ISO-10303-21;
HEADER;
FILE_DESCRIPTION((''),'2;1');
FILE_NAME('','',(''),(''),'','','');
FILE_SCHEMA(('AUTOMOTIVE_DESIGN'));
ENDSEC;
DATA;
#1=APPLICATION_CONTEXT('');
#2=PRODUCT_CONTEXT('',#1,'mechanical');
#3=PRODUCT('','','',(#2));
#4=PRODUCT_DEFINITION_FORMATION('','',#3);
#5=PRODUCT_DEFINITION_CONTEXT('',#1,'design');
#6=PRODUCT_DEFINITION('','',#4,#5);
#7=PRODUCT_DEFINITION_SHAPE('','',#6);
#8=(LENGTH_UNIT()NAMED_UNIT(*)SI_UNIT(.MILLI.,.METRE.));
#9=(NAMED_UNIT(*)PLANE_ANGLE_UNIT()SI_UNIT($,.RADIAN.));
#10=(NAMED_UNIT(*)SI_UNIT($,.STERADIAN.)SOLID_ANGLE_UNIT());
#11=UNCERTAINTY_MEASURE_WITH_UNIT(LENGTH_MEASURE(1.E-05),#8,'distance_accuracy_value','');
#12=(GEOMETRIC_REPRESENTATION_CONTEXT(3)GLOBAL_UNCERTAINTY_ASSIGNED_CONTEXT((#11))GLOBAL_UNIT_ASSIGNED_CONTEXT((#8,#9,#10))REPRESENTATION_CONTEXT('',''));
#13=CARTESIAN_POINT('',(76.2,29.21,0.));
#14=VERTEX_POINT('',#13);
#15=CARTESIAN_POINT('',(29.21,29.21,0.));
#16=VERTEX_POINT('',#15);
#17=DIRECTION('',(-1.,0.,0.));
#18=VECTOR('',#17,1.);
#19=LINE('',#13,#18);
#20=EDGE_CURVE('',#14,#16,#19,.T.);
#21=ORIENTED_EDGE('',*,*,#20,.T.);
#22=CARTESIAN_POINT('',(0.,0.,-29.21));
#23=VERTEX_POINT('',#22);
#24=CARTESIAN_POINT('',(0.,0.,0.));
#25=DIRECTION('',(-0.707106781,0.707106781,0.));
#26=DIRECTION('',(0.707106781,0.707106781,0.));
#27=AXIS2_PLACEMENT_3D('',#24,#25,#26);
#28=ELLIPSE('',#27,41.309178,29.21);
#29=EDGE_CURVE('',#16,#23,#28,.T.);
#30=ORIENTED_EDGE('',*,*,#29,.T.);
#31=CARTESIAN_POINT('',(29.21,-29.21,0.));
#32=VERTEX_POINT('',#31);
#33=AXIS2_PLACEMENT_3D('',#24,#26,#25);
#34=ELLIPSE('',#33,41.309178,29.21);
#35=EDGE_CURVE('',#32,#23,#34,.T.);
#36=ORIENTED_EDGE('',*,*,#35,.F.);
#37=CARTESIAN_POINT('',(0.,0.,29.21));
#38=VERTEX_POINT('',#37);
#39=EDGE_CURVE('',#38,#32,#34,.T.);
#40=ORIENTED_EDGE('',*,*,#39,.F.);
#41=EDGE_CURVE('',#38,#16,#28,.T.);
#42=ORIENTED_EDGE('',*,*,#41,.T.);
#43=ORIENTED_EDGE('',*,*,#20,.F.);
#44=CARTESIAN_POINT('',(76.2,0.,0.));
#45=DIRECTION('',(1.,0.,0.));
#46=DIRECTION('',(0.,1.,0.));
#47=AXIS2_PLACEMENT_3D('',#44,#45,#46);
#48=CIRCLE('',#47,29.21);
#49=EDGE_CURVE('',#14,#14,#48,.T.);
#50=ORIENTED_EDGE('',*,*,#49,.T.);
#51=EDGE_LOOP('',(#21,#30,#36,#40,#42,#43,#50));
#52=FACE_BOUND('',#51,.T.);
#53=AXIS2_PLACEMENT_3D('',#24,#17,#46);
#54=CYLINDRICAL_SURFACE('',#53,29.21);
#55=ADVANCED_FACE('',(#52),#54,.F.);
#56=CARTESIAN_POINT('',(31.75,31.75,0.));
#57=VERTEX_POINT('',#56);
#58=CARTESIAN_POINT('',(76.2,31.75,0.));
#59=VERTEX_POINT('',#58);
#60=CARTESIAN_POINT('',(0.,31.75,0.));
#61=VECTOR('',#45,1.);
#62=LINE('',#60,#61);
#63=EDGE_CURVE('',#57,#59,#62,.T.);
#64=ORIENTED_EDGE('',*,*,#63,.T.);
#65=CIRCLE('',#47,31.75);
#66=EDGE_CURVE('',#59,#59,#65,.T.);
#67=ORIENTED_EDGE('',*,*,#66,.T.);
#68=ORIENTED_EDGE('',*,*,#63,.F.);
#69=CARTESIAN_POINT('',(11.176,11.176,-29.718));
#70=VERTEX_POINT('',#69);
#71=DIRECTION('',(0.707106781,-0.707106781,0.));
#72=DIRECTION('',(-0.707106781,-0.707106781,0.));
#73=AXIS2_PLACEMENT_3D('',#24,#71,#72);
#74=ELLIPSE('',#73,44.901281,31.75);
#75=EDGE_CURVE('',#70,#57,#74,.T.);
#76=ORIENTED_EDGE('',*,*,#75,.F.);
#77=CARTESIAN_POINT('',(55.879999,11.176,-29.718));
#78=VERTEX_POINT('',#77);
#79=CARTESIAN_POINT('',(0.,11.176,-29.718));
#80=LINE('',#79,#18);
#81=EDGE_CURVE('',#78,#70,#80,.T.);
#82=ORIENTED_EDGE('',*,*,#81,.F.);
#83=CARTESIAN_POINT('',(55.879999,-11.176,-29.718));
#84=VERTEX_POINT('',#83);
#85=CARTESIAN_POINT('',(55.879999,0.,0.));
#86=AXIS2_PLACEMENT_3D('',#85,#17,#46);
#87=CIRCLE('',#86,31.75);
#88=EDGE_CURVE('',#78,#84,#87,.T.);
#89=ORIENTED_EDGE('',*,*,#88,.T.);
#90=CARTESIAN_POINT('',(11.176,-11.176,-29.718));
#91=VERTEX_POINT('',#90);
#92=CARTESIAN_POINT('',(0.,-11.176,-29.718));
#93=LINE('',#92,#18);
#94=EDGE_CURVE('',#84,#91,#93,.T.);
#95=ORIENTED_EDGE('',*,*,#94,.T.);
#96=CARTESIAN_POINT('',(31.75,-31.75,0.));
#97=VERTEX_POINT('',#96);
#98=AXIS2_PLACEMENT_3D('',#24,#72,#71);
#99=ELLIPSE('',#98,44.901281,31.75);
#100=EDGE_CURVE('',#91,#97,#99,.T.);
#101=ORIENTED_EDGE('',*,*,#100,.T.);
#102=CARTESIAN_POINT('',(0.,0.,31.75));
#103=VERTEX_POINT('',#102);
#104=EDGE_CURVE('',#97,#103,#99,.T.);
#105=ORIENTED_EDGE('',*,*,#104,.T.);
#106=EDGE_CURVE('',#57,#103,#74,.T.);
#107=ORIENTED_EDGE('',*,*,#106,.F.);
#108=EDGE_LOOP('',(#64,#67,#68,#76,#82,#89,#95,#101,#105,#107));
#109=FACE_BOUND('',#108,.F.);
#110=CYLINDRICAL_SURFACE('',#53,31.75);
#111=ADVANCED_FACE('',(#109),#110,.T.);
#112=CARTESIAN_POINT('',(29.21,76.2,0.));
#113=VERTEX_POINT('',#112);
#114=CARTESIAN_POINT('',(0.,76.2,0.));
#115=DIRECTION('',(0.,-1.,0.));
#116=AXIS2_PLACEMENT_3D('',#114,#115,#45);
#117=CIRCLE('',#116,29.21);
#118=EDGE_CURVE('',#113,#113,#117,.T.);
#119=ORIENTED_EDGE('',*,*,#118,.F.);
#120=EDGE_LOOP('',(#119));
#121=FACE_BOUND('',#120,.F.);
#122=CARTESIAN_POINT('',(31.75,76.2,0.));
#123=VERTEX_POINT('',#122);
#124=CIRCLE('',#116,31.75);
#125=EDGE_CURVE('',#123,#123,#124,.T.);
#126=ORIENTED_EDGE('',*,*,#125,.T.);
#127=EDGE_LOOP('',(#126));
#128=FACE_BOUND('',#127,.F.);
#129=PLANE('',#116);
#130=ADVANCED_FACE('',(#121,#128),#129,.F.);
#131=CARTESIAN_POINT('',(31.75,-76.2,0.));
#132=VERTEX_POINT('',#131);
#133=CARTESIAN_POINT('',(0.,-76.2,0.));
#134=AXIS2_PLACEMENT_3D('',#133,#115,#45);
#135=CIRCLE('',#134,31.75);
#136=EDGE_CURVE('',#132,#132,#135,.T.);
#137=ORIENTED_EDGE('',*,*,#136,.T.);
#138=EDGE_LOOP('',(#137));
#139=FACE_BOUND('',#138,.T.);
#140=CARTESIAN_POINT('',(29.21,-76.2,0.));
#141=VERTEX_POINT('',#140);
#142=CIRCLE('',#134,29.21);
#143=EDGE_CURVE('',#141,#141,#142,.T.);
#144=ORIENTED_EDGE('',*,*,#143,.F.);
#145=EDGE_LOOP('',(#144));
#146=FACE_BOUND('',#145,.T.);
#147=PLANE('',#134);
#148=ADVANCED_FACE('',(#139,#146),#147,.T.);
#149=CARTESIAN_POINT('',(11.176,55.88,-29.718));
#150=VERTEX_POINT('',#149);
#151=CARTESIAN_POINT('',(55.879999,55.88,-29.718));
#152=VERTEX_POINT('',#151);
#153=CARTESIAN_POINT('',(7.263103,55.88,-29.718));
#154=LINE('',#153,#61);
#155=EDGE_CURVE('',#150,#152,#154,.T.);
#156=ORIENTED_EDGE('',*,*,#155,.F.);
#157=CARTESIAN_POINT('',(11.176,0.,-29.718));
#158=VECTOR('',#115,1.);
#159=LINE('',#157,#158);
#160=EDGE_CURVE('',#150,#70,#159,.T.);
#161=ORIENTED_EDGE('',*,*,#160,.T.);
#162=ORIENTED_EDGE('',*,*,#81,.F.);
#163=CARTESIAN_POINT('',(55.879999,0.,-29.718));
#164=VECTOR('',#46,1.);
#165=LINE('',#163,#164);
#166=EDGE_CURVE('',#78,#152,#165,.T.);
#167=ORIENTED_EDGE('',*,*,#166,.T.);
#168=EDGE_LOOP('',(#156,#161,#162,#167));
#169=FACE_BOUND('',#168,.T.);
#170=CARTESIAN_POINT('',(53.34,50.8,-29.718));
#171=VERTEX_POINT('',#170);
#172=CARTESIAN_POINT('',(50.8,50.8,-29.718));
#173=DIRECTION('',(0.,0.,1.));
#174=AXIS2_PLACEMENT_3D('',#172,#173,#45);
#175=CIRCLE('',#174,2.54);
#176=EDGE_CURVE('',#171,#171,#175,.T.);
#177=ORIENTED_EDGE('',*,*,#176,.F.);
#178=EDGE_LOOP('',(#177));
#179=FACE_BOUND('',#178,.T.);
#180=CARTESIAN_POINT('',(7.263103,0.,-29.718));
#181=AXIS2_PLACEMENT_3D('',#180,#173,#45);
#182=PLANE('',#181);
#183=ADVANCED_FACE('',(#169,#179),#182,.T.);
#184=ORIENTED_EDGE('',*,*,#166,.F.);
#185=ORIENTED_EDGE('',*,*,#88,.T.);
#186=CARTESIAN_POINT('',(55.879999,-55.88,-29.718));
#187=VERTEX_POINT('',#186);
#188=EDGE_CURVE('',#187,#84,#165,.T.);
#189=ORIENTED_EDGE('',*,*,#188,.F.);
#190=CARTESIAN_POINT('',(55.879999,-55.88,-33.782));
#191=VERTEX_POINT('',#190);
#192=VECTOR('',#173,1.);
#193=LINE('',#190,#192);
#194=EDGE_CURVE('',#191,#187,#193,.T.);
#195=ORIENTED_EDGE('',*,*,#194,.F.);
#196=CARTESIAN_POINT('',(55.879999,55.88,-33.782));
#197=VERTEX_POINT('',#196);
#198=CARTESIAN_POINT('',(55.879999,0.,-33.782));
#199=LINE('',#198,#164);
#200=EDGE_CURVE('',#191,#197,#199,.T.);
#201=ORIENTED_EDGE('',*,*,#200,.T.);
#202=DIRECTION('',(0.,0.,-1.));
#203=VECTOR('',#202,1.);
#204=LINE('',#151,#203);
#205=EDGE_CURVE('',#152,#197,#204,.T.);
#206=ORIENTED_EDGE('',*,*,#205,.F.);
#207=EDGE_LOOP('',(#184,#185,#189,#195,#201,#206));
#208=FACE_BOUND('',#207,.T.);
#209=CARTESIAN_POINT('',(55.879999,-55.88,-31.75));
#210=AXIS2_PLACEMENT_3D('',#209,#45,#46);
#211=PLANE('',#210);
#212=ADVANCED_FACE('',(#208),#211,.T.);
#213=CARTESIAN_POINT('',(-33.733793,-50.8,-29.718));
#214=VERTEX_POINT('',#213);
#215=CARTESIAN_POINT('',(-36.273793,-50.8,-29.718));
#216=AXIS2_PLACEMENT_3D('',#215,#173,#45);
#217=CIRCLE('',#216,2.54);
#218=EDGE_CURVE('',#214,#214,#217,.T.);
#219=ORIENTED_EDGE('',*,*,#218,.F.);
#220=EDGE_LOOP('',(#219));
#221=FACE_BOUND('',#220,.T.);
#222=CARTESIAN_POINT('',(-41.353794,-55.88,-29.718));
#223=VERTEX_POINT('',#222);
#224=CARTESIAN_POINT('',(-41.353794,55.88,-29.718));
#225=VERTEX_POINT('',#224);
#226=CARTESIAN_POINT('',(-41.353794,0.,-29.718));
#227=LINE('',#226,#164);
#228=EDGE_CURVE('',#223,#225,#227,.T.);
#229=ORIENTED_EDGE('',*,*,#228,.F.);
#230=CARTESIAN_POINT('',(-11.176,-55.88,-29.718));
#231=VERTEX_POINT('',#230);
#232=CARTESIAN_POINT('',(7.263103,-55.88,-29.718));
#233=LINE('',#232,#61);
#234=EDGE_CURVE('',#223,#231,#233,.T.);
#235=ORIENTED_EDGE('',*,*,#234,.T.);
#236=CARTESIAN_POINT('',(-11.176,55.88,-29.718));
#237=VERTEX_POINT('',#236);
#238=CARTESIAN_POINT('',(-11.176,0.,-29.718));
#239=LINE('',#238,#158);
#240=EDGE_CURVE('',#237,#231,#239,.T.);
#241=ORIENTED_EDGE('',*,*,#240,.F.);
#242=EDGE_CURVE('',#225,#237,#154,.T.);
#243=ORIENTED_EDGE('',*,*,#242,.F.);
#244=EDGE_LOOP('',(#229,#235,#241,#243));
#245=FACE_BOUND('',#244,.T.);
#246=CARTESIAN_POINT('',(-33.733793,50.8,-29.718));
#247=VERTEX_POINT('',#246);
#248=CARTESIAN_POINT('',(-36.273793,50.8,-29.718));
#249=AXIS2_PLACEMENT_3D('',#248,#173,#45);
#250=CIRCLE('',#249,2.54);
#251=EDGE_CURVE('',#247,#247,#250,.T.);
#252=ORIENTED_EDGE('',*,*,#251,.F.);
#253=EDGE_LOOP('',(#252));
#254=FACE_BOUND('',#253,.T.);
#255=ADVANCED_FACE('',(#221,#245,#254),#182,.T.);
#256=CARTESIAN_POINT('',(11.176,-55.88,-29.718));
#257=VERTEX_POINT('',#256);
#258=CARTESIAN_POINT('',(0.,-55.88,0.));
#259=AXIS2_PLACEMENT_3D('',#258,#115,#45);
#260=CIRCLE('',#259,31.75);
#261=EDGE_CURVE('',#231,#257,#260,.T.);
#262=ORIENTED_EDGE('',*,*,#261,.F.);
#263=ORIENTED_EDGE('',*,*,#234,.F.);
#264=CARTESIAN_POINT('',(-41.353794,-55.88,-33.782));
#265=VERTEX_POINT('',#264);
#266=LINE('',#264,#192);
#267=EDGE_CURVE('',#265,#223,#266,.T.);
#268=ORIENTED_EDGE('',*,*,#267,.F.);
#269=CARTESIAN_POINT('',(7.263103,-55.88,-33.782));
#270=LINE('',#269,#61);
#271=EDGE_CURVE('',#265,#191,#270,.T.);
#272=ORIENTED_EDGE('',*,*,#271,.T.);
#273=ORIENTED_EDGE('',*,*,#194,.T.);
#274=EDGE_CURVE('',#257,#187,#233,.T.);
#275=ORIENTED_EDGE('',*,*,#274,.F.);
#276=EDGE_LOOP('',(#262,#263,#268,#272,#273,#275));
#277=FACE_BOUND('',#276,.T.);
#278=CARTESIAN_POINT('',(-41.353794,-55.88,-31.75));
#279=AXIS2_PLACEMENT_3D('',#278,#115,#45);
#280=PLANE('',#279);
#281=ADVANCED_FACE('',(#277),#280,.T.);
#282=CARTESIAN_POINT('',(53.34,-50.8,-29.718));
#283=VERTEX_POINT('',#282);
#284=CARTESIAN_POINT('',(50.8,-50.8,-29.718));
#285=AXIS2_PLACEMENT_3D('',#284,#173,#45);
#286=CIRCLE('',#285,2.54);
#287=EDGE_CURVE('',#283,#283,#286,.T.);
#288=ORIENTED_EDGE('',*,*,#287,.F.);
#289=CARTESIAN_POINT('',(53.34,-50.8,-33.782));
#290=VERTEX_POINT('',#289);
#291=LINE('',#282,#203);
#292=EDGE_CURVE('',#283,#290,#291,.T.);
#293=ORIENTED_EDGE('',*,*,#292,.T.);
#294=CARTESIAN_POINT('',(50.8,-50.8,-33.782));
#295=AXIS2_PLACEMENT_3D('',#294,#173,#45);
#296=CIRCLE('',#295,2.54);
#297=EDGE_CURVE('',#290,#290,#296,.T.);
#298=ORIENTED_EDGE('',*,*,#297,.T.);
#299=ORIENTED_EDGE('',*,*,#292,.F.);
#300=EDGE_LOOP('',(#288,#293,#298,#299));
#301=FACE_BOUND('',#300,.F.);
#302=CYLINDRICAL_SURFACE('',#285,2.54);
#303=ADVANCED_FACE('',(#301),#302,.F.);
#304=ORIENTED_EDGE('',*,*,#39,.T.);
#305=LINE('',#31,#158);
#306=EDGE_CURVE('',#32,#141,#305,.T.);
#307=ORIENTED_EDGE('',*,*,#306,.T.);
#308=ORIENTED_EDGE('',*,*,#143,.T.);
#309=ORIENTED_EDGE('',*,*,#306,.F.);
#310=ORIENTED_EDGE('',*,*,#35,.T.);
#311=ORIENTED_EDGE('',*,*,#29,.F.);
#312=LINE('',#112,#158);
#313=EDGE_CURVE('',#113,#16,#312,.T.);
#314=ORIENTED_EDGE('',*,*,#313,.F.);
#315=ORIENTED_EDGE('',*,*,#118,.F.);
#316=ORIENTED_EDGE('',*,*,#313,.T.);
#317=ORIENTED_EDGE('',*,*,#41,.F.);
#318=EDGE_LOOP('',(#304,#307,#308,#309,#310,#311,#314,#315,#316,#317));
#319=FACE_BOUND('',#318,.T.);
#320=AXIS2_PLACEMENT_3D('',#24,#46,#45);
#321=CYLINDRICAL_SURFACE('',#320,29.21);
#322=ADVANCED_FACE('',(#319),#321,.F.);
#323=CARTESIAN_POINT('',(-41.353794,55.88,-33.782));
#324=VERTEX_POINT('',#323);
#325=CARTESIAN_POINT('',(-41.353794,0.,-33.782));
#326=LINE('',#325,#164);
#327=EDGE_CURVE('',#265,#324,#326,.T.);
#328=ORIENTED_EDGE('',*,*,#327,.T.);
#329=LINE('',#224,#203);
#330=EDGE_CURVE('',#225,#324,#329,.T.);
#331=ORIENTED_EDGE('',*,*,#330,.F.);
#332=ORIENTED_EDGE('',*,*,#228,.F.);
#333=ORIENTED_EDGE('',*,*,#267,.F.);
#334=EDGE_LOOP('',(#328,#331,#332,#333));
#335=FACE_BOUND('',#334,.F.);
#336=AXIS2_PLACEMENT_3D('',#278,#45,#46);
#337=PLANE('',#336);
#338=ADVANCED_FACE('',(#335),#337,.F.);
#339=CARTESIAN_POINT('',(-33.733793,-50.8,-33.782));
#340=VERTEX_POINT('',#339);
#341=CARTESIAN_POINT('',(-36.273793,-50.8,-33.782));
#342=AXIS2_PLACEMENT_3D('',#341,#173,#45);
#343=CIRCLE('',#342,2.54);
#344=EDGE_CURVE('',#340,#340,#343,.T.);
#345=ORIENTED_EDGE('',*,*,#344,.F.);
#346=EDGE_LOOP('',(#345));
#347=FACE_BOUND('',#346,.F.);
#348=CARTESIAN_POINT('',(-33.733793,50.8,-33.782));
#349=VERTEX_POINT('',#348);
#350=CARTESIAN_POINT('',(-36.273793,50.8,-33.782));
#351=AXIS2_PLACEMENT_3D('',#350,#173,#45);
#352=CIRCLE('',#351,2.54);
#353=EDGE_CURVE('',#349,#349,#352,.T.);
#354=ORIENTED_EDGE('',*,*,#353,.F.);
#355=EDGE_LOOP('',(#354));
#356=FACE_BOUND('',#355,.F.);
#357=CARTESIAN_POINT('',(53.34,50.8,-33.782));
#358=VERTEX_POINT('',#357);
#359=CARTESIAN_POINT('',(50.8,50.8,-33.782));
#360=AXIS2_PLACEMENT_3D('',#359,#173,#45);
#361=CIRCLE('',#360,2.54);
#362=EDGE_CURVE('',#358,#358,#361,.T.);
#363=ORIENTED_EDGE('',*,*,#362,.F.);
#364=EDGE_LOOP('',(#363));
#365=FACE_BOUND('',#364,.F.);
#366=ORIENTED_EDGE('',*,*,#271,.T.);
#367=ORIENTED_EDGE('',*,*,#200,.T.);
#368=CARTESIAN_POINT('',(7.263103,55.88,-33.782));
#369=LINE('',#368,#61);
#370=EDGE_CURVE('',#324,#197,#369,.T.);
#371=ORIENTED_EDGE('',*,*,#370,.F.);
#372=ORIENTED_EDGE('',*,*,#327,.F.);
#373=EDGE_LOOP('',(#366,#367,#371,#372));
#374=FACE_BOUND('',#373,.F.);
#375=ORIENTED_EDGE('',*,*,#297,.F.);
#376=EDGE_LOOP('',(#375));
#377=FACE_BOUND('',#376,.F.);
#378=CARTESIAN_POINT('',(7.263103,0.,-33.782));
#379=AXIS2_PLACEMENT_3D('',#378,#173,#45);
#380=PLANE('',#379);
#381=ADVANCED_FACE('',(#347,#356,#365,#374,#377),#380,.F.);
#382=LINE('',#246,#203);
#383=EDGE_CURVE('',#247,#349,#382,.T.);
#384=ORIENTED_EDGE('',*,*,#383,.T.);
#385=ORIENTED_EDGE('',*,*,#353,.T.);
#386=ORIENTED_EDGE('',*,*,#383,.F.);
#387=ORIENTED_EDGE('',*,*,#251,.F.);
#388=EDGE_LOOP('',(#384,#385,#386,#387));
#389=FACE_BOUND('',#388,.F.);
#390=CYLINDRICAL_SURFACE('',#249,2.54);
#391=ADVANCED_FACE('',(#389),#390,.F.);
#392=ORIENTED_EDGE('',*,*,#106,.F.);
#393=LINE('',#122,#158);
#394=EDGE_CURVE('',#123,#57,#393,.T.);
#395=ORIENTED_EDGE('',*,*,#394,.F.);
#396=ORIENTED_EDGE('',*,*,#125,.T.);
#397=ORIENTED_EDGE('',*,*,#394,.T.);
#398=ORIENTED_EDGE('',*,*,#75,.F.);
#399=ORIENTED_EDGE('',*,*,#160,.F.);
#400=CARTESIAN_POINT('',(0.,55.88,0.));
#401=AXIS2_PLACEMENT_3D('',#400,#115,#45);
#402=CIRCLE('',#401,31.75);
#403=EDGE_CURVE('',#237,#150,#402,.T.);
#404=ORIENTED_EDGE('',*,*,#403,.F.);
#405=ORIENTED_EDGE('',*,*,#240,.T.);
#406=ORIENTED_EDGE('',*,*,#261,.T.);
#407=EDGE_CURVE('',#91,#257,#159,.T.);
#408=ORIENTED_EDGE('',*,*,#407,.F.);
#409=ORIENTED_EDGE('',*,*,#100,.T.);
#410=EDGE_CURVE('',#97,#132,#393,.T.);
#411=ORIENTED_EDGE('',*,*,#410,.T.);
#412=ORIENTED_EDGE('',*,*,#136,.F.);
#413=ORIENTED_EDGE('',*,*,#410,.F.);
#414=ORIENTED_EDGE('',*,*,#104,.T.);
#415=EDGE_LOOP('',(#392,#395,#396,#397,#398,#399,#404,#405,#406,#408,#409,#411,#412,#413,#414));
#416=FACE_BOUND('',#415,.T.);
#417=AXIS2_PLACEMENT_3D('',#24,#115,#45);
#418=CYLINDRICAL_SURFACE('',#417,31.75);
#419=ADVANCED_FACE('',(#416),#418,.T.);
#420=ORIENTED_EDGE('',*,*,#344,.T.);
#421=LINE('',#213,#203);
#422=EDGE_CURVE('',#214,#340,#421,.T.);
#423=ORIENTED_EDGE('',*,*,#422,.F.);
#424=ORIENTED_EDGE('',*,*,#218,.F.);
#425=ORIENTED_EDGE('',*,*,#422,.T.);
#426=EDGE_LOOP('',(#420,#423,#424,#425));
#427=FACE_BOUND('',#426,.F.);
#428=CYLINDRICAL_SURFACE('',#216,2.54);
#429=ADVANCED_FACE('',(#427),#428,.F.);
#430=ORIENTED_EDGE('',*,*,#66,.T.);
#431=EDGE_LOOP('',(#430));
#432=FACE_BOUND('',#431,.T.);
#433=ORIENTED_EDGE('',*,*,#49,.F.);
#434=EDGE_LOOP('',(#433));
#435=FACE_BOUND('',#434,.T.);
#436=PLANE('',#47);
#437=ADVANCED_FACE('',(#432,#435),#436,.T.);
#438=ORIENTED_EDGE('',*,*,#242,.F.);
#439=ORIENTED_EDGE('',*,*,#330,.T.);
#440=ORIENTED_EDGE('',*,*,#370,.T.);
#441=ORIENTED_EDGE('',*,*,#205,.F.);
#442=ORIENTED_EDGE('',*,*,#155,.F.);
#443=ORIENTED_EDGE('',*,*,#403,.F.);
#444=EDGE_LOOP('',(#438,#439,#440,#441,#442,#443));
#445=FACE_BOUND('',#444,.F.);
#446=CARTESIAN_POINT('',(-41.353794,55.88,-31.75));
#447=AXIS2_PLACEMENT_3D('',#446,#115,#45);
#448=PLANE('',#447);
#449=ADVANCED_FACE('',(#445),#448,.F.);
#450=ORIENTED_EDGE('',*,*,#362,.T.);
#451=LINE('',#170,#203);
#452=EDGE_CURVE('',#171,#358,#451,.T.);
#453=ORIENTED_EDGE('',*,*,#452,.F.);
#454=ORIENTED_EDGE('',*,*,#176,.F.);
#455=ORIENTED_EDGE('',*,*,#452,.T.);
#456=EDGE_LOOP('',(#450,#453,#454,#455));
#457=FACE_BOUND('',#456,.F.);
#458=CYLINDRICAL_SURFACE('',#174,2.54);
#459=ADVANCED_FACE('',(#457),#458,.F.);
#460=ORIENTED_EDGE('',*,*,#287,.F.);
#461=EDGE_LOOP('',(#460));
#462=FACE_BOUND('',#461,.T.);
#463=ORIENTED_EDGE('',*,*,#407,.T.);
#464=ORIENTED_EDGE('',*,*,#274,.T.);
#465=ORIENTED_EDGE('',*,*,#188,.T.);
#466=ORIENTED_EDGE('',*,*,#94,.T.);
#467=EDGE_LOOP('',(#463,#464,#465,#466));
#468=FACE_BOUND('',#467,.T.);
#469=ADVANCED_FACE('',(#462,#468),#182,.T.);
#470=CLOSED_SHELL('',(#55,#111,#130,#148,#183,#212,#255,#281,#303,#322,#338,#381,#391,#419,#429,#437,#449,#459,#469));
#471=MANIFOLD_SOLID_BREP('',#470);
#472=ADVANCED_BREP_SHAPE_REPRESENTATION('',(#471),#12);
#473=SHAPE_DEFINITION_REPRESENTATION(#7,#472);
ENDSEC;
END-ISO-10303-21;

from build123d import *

# Parameters (mm, degrees)
F0_R      = 31.75
F0_R_2    = 29.21
F1_DEPTH  = 76.2
F2_R      = 31.75
F2_R_2    = 29.21
F3_DEPTH  = 76.2
F4_DEPTH  = 52.832
F5_DEPTH  = 44.45
F7_W      = 97.233793
F7_H      = 111.76
F8_DEPTH  = 2.032
F9_R      = 2.54
F10_DEPTH = 25.4


with BuildPart() as f1:
    # F0 (on Front) → F1 (new body, symmetric)
    with BuildSketch(Plane.XZ):
        Circle(F0_R)
        Circle(F0_R_2, mode=Mode.SUBTRACT)
    extrude(amount=F1_DEPTH, both=True)

    # F2 (on Right) → F3 (join)
    with BuildSketch(Plane.YZ):
        Circle(F2_R)
        Circle(F2_R_2, mode=Mode.SUBTRACT)
    extrude(amount=F3_DEPTH)

    # F0 (on Front) → F4 (cut, symmetric)
    with BuildSketch(Plane.XZ):
        Circle(F0_R_2)
    extrude(amount=F4_DEPTH, both=True, mode=Mode.SUBTRACT)

    # F2 (on Right) → F5 (cut)
    with BuildSketch(Plane.YZ):
        Circle(F2_R_2)
    extrude(amount=F5_DEPTH, mode=Mode.SUBTRACT)

    # F7 (on offset) → F8 (join, symmetric)
    with BuildSketch(Plane.XY.offset(-31.75)):
        with Locations((7.263103, 0)):
            Rectangle(F7_W, F7_H)
    extrude(amount=F8_DEPTH, both=True)

    # F9 (on face) → F10 (cut)
    with BuildSketch(Plane.XY.offset(-29.718)):
        with Locations((-36.273793, 50.8)):
            Circle(F9_R)
        with Locations((50.8, 50.8)):
            Circle(F9_R)
        with Locations((50.8, -50.8)):
            Circle(F9_R)
        with Locations((-36.273793, -50.8)):
            Circle(F9_R)
    extrude(amount=-F10_DEPTH, mode=Mode.SUBTRACT)


solid = f1.part
